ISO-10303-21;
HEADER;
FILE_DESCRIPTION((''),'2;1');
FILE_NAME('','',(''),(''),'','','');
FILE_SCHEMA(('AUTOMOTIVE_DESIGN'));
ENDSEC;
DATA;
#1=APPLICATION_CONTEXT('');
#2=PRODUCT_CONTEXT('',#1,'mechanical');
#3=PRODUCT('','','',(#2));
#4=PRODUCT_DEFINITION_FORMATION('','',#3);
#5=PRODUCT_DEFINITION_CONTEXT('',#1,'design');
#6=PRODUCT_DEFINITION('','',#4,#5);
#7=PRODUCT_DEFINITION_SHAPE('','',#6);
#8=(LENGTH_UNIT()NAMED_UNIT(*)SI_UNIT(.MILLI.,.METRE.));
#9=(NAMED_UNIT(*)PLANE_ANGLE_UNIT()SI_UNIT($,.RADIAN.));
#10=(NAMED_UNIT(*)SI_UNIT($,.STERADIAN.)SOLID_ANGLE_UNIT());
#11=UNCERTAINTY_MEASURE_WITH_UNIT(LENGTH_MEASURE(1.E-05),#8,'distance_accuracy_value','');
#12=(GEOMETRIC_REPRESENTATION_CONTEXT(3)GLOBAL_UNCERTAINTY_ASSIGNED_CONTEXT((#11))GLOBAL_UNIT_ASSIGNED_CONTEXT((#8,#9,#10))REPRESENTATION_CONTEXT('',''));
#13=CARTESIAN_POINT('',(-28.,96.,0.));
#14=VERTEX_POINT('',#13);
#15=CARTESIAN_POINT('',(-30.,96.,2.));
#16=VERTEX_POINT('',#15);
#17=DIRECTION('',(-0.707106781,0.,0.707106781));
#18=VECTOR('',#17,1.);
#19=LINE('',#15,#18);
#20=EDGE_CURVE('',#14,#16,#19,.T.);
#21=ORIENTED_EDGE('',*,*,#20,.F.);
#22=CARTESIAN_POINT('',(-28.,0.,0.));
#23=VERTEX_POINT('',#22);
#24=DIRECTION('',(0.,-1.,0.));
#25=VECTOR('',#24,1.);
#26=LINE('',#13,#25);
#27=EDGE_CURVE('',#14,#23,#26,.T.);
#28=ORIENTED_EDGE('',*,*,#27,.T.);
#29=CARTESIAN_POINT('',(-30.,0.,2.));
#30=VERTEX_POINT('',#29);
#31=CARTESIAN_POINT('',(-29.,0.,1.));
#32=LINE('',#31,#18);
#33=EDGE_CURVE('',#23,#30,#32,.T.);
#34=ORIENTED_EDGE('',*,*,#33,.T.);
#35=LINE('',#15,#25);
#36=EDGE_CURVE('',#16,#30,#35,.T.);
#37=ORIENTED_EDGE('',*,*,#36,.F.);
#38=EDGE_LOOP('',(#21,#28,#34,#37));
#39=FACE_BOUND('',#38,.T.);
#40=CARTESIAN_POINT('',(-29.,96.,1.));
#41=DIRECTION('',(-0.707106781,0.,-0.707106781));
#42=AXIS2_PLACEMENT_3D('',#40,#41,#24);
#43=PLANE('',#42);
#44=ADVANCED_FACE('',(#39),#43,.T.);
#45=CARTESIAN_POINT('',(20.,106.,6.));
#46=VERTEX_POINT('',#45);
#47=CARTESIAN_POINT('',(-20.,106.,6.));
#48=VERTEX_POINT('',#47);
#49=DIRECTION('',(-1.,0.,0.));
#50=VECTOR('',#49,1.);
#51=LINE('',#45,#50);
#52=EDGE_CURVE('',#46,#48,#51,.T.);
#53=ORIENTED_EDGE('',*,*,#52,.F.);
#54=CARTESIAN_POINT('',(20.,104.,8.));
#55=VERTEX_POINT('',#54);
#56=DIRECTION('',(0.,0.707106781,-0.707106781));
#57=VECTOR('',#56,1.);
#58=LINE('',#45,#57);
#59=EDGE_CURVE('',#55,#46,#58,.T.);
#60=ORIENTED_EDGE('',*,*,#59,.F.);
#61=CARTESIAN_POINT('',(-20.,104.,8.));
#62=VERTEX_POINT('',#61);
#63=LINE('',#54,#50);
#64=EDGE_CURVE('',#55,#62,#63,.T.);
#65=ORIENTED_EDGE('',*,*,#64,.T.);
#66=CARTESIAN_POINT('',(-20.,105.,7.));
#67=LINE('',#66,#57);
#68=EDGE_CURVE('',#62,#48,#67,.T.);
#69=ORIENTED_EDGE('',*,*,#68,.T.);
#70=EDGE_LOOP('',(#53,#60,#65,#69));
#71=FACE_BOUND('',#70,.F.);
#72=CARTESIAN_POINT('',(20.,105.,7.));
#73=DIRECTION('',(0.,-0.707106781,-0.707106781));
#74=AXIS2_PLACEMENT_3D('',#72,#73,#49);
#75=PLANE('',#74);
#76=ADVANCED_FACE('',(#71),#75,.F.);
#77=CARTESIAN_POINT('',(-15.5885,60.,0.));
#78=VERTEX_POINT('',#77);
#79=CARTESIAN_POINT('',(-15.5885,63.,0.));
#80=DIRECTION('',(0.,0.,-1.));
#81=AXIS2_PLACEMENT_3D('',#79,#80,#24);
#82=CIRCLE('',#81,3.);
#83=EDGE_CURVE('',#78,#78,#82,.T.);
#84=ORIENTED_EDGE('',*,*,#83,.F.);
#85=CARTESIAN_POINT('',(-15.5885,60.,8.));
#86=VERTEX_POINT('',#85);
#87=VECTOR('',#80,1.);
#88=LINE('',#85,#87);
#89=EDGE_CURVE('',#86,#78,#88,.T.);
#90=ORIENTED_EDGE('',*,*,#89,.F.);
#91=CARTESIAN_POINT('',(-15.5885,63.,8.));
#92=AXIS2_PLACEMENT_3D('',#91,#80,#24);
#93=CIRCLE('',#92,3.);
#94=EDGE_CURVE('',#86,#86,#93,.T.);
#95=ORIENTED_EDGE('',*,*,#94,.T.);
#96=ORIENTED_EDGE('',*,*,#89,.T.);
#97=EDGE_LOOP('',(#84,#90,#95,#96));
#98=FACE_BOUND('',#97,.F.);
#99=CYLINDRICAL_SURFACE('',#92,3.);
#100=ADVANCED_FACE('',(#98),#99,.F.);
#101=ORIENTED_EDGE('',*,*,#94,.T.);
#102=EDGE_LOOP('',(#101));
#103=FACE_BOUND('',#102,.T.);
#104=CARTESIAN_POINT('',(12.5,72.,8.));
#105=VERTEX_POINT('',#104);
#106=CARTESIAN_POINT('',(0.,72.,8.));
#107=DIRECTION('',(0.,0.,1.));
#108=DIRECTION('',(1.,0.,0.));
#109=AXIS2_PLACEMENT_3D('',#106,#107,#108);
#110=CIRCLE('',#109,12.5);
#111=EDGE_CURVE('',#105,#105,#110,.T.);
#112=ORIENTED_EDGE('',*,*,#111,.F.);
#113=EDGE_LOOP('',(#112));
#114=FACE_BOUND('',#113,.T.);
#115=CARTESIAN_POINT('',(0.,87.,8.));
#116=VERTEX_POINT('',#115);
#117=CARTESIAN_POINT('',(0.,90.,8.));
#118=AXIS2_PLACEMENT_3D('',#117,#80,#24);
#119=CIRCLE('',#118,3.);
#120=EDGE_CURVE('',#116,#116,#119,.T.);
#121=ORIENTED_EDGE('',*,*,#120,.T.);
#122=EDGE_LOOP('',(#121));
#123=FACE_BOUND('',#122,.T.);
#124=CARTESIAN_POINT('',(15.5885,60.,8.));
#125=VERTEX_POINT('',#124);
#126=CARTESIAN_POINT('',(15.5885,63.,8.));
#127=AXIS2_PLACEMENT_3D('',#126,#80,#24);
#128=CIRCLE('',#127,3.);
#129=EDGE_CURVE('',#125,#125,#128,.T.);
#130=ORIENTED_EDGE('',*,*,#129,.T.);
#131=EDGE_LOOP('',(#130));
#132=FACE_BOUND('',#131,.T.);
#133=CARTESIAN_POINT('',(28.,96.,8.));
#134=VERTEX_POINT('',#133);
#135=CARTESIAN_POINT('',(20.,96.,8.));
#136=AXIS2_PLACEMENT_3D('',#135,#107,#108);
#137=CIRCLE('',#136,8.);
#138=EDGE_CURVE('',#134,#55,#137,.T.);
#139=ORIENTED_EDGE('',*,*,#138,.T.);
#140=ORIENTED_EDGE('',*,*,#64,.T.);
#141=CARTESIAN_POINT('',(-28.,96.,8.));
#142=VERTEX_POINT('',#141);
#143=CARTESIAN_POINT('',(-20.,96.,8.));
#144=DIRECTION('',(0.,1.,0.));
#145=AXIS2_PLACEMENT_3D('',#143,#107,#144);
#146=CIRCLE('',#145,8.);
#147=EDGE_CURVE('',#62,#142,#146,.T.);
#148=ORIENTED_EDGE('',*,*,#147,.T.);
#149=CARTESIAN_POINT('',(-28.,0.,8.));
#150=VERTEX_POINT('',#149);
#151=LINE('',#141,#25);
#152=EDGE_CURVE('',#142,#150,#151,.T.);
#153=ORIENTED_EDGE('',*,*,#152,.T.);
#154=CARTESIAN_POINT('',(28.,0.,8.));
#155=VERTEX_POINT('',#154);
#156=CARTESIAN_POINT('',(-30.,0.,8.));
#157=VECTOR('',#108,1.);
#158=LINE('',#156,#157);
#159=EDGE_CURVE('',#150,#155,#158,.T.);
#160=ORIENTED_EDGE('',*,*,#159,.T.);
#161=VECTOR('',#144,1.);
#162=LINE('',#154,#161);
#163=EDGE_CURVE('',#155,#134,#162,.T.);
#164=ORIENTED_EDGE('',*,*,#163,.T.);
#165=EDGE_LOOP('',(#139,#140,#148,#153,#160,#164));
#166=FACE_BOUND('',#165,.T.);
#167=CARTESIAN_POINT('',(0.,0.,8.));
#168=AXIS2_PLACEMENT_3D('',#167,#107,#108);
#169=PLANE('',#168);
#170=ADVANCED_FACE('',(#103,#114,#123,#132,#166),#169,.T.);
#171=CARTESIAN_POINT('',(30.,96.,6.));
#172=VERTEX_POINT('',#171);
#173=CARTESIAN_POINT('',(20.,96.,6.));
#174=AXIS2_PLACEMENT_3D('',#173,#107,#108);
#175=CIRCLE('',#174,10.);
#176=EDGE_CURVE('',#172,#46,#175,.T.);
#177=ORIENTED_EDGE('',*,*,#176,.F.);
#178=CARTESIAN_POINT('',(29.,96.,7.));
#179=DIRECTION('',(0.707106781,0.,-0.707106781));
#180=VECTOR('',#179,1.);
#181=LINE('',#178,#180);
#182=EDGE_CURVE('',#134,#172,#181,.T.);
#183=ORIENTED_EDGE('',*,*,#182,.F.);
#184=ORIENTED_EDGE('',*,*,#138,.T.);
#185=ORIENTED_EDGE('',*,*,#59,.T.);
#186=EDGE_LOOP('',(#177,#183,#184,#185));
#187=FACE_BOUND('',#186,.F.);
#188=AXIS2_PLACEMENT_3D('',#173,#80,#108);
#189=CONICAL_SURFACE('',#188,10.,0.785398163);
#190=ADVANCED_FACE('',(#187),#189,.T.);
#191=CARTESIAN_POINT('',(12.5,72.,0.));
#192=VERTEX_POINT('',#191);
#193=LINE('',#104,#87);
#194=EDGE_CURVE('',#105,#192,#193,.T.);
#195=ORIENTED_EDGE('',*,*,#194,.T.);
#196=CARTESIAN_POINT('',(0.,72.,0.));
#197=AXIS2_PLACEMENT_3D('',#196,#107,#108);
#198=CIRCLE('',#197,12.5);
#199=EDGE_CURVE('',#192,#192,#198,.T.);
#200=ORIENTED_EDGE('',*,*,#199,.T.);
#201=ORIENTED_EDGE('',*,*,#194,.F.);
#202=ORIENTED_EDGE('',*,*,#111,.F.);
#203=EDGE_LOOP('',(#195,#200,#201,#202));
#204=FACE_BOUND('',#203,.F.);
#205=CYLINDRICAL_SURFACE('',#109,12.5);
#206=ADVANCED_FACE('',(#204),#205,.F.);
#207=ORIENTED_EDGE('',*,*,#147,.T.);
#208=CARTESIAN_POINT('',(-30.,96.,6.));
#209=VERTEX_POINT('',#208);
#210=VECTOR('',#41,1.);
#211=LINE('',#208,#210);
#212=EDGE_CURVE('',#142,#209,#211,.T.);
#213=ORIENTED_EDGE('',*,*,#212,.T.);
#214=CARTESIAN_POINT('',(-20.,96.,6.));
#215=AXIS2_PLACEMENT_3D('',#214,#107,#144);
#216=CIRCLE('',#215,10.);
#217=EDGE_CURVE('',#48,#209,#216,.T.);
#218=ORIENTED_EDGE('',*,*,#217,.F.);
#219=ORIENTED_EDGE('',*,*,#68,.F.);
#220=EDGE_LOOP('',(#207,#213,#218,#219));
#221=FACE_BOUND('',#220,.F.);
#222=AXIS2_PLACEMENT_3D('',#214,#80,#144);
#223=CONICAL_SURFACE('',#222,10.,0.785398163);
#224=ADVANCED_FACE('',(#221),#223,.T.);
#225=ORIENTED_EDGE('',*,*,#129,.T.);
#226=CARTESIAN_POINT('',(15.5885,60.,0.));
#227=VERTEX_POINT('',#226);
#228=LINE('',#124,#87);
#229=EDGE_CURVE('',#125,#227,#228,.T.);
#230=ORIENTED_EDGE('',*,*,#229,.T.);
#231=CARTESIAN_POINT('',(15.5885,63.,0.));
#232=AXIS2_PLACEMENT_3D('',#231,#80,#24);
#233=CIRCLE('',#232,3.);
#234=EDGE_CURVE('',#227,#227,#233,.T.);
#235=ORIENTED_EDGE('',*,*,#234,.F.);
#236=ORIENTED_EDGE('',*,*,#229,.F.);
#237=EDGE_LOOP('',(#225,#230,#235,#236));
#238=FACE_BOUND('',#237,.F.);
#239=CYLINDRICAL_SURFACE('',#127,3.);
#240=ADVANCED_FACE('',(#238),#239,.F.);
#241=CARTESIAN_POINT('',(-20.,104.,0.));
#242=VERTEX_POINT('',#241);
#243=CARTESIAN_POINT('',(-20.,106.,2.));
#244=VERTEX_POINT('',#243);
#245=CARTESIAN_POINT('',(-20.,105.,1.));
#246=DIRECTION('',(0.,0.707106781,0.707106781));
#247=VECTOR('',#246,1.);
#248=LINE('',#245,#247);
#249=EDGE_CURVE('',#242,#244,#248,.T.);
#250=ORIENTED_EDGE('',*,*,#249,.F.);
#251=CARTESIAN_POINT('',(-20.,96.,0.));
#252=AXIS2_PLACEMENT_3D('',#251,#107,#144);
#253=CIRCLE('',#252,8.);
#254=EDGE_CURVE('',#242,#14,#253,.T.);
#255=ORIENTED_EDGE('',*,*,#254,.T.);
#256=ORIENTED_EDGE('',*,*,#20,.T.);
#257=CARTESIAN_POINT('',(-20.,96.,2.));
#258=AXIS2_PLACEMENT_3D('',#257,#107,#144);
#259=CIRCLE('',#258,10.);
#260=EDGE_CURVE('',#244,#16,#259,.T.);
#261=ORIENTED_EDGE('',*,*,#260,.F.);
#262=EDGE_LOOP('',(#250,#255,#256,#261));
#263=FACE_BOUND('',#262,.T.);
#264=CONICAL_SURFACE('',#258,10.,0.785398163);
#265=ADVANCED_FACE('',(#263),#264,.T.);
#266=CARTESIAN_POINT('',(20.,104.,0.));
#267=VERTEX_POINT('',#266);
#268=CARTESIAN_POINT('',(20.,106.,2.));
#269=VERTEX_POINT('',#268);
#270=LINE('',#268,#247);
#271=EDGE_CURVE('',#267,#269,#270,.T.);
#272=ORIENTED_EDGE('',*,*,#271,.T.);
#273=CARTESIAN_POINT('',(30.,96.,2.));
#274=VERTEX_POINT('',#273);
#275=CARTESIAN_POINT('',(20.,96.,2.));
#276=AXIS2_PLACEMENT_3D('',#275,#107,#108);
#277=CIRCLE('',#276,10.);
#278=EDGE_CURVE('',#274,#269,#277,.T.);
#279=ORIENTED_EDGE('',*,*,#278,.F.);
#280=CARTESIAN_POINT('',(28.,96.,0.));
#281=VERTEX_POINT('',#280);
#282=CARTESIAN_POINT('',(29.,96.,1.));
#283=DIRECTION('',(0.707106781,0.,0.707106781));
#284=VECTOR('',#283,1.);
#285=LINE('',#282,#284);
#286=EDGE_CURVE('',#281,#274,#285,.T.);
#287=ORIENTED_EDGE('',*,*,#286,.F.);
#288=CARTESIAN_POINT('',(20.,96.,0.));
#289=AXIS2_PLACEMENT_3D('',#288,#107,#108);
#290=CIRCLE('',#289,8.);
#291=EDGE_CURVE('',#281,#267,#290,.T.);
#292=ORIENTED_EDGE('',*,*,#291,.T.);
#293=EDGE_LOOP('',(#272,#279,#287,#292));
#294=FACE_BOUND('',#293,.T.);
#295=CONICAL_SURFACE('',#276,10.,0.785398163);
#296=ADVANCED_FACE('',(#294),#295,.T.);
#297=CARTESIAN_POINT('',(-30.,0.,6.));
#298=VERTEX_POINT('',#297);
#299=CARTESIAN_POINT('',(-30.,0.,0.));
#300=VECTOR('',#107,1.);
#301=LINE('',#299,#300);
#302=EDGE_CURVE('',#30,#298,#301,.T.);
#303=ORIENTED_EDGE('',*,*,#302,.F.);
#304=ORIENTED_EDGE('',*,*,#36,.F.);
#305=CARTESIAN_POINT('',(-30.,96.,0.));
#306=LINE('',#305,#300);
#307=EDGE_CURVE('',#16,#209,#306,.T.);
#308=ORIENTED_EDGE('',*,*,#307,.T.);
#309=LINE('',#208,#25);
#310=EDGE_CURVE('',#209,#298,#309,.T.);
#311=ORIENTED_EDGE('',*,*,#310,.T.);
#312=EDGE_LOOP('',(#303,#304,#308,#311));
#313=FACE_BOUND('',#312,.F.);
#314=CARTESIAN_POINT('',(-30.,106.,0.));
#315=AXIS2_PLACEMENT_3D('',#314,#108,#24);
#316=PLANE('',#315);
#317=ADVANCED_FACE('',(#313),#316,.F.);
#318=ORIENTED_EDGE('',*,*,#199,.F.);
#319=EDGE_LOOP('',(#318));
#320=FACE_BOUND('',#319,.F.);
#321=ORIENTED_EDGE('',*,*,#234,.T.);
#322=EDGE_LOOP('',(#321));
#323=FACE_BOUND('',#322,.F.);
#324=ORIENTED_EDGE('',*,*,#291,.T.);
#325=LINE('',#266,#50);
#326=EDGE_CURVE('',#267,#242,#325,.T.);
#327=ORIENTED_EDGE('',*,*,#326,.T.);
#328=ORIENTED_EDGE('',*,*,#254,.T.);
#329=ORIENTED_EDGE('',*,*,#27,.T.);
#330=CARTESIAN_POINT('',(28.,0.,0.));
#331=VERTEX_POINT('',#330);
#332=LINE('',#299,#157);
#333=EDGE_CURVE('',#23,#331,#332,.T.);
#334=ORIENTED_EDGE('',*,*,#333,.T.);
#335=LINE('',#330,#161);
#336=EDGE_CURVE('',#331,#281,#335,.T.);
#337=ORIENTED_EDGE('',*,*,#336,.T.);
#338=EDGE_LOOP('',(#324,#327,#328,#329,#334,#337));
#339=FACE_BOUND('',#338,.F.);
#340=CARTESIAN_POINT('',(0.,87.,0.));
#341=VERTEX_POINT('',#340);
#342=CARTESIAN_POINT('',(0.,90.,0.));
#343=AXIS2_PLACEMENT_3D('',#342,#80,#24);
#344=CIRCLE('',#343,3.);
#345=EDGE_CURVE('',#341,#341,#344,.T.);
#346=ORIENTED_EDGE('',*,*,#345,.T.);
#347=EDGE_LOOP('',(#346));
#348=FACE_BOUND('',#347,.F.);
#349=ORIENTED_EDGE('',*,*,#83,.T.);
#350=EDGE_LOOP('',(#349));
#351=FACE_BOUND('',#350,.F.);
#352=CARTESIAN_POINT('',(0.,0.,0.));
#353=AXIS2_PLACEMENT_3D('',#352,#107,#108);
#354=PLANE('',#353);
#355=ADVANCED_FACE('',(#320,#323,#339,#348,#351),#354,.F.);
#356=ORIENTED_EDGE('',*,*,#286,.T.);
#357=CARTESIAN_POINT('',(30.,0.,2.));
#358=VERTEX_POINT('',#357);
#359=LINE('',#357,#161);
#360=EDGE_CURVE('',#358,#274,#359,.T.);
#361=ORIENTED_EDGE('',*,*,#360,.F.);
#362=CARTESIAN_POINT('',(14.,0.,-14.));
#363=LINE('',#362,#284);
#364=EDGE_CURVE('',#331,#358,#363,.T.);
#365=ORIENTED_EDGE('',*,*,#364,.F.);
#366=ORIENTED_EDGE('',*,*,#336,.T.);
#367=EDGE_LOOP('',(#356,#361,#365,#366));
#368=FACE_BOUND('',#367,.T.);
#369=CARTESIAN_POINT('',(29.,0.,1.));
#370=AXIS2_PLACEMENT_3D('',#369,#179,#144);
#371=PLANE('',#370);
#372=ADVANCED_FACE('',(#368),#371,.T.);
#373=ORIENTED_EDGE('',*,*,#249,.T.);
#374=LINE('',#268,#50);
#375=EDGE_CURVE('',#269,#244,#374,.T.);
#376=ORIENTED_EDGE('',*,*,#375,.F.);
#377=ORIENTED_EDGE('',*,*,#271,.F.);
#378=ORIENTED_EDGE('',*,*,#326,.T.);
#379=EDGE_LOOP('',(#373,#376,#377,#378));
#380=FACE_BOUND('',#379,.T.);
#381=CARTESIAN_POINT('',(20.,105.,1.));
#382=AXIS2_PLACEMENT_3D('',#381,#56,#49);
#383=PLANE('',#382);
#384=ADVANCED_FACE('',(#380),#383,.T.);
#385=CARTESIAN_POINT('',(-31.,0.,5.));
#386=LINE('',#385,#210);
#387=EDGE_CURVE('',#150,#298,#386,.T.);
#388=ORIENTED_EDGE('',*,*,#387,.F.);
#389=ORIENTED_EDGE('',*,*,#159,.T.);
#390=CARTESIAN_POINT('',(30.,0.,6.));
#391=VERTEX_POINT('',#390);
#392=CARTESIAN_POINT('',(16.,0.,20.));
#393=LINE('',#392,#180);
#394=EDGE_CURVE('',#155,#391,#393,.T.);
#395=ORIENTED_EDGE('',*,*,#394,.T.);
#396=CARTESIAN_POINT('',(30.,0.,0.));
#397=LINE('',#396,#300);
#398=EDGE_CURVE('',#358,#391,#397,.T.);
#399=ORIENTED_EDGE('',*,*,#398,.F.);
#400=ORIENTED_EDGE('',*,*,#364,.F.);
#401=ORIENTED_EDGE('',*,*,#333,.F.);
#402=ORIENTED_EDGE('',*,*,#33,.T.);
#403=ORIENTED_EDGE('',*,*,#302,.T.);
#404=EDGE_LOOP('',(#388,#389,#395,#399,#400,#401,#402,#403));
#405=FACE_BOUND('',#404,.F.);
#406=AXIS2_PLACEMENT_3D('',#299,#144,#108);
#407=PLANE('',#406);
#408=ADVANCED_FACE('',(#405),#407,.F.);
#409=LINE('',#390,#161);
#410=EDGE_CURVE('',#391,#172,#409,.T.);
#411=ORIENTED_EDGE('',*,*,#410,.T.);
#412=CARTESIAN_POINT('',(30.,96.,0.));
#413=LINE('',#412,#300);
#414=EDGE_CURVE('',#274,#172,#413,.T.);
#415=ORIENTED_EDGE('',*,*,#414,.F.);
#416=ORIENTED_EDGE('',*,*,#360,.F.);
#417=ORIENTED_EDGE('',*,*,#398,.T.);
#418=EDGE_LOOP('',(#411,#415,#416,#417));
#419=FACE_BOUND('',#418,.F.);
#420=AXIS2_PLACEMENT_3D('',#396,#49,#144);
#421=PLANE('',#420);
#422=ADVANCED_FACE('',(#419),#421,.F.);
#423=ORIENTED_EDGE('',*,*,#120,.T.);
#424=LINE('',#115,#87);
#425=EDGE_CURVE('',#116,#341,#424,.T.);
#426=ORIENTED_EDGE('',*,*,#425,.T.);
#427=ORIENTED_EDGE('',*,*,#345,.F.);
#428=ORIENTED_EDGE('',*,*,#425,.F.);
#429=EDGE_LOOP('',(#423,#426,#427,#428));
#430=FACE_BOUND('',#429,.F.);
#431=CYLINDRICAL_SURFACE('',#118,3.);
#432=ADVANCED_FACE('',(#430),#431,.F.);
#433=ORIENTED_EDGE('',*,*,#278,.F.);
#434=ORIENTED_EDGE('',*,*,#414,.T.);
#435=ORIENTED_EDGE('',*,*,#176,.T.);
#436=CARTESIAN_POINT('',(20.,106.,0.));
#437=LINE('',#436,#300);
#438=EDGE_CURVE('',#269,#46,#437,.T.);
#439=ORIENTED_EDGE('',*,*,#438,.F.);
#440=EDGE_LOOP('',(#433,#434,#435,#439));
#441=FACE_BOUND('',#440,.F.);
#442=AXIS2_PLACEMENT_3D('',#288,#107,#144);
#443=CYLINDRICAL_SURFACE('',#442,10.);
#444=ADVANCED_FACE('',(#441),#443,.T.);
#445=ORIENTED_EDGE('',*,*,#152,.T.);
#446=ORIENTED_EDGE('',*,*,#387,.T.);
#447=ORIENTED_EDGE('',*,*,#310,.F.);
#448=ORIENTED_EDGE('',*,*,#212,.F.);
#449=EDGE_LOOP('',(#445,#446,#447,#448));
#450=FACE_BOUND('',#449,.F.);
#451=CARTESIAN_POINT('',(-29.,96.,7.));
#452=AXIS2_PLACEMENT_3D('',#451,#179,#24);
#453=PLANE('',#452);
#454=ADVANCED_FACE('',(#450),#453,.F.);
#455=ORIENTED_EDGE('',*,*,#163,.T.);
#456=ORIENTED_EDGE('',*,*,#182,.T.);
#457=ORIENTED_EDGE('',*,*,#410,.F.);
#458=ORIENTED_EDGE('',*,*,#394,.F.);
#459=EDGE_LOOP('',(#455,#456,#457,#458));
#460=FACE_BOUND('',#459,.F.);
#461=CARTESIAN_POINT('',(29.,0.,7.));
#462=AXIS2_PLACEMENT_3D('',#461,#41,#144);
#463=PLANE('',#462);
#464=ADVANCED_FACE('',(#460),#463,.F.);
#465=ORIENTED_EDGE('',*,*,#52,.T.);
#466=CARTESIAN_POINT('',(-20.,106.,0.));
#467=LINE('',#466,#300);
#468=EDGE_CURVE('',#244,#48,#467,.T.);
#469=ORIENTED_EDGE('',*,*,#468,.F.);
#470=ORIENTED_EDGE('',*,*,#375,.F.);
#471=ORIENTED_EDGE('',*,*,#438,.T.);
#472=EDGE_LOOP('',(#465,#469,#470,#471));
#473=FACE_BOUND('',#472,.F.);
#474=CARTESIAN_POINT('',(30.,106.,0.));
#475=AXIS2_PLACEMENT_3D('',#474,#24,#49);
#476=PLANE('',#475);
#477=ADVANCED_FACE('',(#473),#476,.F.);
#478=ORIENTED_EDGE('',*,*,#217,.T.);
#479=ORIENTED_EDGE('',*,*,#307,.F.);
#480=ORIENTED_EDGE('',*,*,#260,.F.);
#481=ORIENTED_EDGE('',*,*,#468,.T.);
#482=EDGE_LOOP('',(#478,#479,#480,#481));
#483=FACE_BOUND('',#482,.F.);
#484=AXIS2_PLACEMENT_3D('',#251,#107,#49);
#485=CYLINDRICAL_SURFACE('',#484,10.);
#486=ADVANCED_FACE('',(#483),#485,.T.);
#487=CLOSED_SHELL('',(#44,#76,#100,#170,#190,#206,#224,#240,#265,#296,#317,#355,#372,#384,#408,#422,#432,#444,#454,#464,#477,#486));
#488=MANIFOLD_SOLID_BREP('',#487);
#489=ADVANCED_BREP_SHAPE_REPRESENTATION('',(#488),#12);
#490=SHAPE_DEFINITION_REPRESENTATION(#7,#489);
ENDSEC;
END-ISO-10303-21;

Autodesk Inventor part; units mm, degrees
ref_plane "YZ Plane" through (0, 0, 0) normal (1, 0, 0) x (0, 1, 0)
ref_plane "XZ Plane" through (0, 0, 0) normal (0, 1, 0) x (-1, 0, 0)
ref_plane "XY Plane" through (0, 0, 0) normal (0, 0, 1) x (1, 0, 0)
sketch "Sketch1" plane through (0, 0, 0) normal (0, 0, 1) x (1, 0, 0)
  line L0 (-30, 0) -> (30, 0)
  line L1 (30, 0) -> (30, 106)
  line L2 (30, 106) -> (-30, 106)
  line L3 (-30, 106) -> (-30, 0)
  point P0 (0, 0)
  dimension "d0" = 60
  dimension "d1" = 106
  dimension "d2" = 30
extrude "Extrusion1" add sketch "Sketch1" along normal blind 8
fillet "Fillet1" radius 10 2 edges at (30, 106, 4) (-30, 106, 4)
sketch "Sketch2" plane through (0, 0, 8) normal (0, 0, 1) x (1, 0, 0)
  circle A0 centre (0, 72) radius 18
  line L0 (0, 72) -> (-15.5885, 63)
  line L1 (0, 72) -> (0, 90)
  line L2 (0, 72) -> (15.5885, 63)
  point P0 (0, 0)
  point P1 (0, 90)
  point P2 (-15.5885, 63)
  point P3 (15.5885, 63)
  dimension "d6" = 36
  dimension "d7" = 120
  dimension "d8" = 120
  dimension "d9" = 0
  dimension "d10" = 72
hole "Hole1" at (0, 90, 8) at (-15.5885, 63, 8) at (15.5885, 63, 8) direction (0, 0, -1) diameter 6 end through all
sketch "Sketch3" plane through (0, 0, 8) normal (0, 0, 1) x (1, 0, 0)
  circle A0 centre (0, 72) radius 12.5
  line L0 (-30, 0) -> (30, 0) projected
  point P0 (0, 0)
  dimension "d18" = 72
  dimension "d19" = 0
  dimension "d20" = 25
extrude "Extrusion2" cut sketch "Sketch3" against normal through all
chamfer "Chamfer1" distance 2 angle 45 10 edges at (0, 106, 8) (-27.0711, 103.0711, 8) (-30, 48, 8) (27.0711, 103.0711, 8) (30, 48, 8) (0, 106, 0) (-27.0711, 103.0711, 0) (-30, 48, 0) (27.0711, 103.0711, 0) (30, 48, 0)
equation "\"d2\" = 0.5 * d0"
equation "\"d10\" = centreHeight + heightClearance"
equation "\"d18\" = centreHeight + heightClearance"
equation "\"centreHeight\" = 66"
equation "\"heightClearance\" = 6"
properties part number "motorHolder_rotor" material "Steel, Mild"
